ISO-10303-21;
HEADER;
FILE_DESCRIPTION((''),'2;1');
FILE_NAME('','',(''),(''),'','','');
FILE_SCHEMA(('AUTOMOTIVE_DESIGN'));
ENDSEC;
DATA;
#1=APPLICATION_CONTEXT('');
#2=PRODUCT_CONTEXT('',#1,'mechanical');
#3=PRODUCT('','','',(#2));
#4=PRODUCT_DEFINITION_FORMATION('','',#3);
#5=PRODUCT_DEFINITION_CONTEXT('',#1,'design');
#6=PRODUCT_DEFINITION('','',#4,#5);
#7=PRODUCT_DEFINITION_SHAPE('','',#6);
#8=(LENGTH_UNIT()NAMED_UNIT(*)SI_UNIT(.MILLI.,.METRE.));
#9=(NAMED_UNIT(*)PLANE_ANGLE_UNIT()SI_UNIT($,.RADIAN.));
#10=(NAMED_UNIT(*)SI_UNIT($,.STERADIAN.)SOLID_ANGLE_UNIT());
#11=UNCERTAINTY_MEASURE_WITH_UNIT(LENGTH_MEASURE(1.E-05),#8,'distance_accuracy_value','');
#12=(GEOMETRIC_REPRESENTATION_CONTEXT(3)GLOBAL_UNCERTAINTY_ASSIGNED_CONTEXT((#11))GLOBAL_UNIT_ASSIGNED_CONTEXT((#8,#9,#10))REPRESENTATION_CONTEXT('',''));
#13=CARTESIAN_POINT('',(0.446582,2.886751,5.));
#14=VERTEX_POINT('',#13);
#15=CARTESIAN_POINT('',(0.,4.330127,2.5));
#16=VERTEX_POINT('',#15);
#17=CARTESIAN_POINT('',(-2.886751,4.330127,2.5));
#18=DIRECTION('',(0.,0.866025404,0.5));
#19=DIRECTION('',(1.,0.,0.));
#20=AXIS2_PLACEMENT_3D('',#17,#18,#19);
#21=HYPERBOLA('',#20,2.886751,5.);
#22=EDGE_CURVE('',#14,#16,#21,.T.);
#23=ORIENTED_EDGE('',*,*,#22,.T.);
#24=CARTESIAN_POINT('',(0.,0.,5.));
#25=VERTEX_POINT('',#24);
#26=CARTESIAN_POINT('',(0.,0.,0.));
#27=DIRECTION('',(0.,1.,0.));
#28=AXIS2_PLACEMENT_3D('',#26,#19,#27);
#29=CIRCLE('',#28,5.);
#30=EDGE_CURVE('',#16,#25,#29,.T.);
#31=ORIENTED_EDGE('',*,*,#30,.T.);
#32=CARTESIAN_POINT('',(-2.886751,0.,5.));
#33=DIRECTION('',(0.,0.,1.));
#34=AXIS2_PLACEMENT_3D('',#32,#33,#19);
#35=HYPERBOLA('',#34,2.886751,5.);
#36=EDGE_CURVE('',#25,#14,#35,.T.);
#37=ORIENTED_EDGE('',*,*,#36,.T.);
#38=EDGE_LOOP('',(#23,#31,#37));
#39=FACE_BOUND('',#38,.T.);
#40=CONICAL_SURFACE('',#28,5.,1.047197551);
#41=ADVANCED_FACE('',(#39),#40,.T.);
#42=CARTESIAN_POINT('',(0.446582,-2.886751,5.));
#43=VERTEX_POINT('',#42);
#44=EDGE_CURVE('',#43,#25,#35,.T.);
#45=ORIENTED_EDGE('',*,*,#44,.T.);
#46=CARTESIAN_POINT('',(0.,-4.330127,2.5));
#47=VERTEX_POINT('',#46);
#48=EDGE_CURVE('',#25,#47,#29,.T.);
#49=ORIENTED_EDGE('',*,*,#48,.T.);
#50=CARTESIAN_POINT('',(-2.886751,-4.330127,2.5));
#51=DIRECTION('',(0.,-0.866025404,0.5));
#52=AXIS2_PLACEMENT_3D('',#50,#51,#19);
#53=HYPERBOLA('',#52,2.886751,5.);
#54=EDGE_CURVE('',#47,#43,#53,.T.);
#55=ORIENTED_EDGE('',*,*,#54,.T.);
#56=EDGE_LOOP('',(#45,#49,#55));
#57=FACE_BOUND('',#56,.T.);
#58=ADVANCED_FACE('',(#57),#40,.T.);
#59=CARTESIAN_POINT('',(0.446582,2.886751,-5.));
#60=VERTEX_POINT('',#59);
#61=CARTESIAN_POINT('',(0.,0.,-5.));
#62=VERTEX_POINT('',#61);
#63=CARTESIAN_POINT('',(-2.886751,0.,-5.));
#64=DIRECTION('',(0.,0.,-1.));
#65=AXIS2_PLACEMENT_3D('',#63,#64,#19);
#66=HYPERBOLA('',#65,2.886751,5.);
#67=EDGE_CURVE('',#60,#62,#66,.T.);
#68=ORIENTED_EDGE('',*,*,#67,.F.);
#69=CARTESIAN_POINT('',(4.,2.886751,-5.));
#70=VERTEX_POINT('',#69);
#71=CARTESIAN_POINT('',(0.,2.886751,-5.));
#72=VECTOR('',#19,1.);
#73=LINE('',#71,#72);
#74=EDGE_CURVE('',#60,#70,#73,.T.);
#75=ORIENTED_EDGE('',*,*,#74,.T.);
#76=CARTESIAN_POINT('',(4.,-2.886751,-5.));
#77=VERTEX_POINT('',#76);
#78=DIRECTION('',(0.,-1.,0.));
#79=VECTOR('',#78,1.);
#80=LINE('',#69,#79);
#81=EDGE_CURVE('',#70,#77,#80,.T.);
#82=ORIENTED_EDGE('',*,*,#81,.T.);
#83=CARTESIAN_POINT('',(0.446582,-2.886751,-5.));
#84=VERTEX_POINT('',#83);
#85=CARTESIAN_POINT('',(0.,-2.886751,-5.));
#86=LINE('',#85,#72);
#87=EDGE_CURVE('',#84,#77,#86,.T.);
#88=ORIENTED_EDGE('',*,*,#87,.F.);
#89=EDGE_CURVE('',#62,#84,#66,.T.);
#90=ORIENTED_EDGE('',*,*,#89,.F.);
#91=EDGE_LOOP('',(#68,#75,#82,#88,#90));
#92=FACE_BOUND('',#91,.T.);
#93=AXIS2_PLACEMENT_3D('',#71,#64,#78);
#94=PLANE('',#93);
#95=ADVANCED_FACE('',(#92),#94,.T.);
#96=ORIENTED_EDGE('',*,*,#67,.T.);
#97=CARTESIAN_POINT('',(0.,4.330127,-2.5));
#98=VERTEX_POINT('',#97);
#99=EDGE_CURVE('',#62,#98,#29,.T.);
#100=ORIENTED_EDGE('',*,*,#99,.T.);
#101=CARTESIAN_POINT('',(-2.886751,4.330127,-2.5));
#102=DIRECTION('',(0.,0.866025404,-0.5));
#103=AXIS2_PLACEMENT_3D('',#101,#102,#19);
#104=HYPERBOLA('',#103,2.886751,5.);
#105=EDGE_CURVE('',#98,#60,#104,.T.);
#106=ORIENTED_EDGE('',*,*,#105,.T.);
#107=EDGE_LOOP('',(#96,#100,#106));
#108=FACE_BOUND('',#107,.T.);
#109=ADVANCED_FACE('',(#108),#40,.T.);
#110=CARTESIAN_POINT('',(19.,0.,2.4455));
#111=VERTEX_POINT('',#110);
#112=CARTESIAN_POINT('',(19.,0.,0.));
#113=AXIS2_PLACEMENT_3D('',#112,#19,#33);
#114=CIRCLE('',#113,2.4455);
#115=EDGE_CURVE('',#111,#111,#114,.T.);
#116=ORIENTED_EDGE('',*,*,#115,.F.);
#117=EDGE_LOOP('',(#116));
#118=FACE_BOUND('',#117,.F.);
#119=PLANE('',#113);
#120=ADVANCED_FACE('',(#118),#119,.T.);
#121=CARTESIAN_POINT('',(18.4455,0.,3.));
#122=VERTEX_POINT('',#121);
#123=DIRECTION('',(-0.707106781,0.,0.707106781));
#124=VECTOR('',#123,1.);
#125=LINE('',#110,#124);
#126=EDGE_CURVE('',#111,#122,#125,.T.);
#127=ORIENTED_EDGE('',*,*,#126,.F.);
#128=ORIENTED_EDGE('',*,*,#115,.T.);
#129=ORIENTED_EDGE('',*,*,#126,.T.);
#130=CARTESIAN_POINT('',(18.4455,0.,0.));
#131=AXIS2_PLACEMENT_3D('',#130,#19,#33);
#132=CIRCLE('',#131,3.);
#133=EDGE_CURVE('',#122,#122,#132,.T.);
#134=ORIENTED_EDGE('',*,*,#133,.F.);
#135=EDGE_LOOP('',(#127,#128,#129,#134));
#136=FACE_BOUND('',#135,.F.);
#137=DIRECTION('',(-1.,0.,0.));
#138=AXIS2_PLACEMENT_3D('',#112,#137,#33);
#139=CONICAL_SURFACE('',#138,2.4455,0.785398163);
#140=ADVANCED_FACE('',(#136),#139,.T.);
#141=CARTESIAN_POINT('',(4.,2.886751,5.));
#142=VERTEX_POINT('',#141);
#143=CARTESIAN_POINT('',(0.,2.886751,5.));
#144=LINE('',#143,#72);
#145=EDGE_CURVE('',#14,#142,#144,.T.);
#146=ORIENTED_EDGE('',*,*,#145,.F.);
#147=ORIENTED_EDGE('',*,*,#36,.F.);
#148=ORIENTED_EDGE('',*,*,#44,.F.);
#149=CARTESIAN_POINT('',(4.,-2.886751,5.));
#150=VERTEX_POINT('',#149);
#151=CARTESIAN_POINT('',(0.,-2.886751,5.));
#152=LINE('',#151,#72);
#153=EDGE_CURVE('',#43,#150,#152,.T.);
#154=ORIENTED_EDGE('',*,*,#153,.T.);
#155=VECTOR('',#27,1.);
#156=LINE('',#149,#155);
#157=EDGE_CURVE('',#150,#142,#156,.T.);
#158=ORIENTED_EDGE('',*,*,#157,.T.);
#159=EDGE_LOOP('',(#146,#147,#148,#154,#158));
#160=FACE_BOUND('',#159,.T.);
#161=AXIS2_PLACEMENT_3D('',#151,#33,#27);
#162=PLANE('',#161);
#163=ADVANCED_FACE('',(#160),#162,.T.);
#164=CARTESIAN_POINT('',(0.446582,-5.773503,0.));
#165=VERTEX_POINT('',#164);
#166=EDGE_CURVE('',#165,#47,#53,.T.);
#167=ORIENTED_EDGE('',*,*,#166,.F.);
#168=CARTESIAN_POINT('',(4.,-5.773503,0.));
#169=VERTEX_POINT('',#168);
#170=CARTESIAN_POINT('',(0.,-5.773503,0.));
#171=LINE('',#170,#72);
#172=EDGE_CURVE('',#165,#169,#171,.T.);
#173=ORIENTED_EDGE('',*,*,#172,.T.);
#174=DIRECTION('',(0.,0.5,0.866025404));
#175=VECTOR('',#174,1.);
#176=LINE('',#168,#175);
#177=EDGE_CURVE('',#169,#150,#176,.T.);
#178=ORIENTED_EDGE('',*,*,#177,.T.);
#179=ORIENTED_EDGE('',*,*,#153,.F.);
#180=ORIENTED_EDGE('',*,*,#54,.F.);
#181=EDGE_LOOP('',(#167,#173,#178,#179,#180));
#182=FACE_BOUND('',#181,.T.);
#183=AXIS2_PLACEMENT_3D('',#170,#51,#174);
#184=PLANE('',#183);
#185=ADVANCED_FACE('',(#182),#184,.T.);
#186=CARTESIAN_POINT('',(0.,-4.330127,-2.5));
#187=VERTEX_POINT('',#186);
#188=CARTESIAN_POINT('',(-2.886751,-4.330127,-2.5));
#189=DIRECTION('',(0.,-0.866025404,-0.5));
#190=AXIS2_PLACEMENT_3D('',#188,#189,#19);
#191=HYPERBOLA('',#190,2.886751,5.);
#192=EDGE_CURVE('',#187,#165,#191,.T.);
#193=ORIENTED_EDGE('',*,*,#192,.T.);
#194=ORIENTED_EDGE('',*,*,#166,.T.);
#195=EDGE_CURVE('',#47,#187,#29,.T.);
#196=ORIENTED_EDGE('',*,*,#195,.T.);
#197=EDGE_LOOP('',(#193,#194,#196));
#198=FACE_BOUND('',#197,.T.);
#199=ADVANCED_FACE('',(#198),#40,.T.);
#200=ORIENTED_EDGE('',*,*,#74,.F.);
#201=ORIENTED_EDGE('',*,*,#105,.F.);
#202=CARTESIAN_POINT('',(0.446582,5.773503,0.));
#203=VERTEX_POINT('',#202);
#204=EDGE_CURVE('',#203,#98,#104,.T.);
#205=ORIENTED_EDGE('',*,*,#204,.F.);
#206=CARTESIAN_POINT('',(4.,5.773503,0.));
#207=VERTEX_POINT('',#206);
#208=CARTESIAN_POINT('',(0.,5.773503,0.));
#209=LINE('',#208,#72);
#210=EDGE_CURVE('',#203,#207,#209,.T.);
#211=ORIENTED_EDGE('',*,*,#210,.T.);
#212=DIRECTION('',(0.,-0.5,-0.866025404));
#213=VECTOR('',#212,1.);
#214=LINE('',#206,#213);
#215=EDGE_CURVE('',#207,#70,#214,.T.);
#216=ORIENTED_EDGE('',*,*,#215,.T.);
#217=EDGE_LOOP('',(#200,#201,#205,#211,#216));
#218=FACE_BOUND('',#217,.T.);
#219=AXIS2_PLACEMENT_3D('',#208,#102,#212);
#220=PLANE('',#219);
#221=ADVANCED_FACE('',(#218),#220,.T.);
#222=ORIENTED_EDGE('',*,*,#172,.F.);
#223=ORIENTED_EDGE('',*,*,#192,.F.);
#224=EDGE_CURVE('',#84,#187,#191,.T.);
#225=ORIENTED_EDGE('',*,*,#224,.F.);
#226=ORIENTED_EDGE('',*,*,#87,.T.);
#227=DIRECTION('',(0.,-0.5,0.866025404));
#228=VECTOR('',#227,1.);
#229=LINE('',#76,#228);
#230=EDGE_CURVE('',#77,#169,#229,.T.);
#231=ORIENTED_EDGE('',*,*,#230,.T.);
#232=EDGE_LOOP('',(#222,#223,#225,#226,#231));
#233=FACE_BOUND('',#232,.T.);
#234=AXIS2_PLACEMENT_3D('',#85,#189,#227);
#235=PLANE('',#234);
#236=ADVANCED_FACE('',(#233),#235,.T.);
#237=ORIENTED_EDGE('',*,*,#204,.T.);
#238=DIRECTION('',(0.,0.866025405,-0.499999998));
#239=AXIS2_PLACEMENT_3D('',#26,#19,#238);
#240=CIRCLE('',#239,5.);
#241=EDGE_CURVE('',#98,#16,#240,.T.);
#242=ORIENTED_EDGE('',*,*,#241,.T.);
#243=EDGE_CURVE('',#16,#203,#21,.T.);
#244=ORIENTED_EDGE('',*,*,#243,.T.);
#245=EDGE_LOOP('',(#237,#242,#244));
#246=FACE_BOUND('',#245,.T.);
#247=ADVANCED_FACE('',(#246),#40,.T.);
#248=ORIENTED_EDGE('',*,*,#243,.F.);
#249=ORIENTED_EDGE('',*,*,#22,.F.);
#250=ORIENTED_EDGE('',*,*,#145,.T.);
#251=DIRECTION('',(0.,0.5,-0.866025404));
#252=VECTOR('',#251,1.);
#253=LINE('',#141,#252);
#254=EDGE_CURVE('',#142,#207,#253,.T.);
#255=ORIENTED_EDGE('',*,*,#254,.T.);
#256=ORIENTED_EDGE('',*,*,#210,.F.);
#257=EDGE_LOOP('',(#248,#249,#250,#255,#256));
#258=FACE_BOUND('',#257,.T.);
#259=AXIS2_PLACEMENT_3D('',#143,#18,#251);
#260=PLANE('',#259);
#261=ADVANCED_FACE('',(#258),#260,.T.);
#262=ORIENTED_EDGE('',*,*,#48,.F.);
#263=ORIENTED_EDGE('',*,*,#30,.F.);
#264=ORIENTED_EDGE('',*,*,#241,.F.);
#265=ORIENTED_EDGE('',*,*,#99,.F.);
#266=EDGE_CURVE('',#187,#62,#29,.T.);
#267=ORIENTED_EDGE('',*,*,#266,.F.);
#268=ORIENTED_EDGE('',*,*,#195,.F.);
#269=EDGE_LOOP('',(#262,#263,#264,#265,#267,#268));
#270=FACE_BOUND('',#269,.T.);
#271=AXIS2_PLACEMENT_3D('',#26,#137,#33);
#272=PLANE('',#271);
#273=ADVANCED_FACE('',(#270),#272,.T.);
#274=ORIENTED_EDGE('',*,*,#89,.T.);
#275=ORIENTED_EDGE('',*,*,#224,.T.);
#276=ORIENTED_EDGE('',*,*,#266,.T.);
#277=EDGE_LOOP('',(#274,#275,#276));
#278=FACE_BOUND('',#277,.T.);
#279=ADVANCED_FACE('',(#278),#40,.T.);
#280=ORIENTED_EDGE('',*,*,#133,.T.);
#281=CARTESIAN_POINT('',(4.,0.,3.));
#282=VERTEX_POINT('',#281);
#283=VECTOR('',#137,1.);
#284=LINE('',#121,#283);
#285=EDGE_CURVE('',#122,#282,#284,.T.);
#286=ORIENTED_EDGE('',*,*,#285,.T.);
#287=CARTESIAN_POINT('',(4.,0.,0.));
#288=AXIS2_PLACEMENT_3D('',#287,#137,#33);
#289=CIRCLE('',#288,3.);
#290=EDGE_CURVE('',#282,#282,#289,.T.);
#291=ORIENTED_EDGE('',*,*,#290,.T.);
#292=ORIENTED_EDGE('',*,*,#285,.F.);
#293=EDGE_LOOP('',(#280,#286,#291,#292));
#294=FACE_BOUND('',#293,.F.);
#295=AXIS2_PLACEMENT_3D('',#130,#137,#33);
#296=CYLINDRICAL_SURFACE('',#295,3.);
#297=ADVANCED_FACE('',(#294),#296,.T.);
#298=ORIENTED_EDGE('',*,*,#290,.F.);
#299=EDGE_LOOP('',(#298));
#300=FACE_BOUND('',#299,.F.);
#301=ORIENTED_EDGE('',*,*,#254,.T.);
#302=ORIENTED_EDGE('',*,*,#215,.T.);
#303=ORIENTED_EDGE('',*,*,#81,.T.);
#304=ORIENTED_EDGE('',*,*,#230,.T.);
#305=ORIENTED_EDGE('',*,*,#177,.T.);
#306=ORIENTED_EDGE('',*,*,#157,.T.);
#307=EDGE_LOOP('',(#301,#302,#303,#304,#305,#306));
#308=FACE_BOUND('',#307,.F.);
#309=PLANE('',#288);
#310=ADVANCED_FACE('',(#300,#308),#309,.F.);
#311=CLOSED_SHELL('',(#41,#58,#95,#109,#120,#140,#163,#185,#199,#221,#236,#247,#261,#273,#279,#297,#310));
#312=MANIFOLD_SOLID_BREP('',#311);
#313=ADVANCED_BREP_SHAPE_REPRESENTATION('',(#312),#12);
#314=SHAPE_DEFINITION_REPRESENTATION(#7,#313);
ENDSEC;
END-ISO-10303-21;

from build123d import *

# Parameters (mm, degrees)
BASEHEAD_DEPTH = 4


with BuildPart() as part:
    # Sketch1 → BaseHead (new body)
    with BuildSketch(Plane(origin=(0, 0, 0), x_dir=(0, 0, -1), z_dir=(1, 0, 0))):
        Polygon((5, 2.886751346), (5, -2.886751346), (0, -5.773502692), (-5, -2.886751346), (-5, 2.886751346), (0, 5.773502692), align=None)
    extrude(amount=BASEHEAD_DEPTH)

    # BodySke → BaseBody (revolve)
    with BuildSketch(Plane.XY, mode=Mode.PRIVATE) as basebody_sk:
        Polygon((0, 0), (19, 0), (19, 2.4455), (18.4455, 3), (0, 3), align=None)
    revolve(basebody_sk.sketch.rotate(Axis((0, 0, 0), (1, 0, 0)), 90), axis=Axis((0, 0, 0), (1, 0, 0)))

    # Sketch3 → HeadChamfer (revolve, cut)
    with BuildSketch(Plane.XY):
        Polygon((0, 5), (3.333333333, 10.773502692), (3.333333333, 15.773502692), (-10, 15.773502692), (-10, 5), align=None)
    revolve(axis=Axis((0, 0, 0), (1, 0, 0)), mode=Mode.SUBTRACT)


solid = part.part
